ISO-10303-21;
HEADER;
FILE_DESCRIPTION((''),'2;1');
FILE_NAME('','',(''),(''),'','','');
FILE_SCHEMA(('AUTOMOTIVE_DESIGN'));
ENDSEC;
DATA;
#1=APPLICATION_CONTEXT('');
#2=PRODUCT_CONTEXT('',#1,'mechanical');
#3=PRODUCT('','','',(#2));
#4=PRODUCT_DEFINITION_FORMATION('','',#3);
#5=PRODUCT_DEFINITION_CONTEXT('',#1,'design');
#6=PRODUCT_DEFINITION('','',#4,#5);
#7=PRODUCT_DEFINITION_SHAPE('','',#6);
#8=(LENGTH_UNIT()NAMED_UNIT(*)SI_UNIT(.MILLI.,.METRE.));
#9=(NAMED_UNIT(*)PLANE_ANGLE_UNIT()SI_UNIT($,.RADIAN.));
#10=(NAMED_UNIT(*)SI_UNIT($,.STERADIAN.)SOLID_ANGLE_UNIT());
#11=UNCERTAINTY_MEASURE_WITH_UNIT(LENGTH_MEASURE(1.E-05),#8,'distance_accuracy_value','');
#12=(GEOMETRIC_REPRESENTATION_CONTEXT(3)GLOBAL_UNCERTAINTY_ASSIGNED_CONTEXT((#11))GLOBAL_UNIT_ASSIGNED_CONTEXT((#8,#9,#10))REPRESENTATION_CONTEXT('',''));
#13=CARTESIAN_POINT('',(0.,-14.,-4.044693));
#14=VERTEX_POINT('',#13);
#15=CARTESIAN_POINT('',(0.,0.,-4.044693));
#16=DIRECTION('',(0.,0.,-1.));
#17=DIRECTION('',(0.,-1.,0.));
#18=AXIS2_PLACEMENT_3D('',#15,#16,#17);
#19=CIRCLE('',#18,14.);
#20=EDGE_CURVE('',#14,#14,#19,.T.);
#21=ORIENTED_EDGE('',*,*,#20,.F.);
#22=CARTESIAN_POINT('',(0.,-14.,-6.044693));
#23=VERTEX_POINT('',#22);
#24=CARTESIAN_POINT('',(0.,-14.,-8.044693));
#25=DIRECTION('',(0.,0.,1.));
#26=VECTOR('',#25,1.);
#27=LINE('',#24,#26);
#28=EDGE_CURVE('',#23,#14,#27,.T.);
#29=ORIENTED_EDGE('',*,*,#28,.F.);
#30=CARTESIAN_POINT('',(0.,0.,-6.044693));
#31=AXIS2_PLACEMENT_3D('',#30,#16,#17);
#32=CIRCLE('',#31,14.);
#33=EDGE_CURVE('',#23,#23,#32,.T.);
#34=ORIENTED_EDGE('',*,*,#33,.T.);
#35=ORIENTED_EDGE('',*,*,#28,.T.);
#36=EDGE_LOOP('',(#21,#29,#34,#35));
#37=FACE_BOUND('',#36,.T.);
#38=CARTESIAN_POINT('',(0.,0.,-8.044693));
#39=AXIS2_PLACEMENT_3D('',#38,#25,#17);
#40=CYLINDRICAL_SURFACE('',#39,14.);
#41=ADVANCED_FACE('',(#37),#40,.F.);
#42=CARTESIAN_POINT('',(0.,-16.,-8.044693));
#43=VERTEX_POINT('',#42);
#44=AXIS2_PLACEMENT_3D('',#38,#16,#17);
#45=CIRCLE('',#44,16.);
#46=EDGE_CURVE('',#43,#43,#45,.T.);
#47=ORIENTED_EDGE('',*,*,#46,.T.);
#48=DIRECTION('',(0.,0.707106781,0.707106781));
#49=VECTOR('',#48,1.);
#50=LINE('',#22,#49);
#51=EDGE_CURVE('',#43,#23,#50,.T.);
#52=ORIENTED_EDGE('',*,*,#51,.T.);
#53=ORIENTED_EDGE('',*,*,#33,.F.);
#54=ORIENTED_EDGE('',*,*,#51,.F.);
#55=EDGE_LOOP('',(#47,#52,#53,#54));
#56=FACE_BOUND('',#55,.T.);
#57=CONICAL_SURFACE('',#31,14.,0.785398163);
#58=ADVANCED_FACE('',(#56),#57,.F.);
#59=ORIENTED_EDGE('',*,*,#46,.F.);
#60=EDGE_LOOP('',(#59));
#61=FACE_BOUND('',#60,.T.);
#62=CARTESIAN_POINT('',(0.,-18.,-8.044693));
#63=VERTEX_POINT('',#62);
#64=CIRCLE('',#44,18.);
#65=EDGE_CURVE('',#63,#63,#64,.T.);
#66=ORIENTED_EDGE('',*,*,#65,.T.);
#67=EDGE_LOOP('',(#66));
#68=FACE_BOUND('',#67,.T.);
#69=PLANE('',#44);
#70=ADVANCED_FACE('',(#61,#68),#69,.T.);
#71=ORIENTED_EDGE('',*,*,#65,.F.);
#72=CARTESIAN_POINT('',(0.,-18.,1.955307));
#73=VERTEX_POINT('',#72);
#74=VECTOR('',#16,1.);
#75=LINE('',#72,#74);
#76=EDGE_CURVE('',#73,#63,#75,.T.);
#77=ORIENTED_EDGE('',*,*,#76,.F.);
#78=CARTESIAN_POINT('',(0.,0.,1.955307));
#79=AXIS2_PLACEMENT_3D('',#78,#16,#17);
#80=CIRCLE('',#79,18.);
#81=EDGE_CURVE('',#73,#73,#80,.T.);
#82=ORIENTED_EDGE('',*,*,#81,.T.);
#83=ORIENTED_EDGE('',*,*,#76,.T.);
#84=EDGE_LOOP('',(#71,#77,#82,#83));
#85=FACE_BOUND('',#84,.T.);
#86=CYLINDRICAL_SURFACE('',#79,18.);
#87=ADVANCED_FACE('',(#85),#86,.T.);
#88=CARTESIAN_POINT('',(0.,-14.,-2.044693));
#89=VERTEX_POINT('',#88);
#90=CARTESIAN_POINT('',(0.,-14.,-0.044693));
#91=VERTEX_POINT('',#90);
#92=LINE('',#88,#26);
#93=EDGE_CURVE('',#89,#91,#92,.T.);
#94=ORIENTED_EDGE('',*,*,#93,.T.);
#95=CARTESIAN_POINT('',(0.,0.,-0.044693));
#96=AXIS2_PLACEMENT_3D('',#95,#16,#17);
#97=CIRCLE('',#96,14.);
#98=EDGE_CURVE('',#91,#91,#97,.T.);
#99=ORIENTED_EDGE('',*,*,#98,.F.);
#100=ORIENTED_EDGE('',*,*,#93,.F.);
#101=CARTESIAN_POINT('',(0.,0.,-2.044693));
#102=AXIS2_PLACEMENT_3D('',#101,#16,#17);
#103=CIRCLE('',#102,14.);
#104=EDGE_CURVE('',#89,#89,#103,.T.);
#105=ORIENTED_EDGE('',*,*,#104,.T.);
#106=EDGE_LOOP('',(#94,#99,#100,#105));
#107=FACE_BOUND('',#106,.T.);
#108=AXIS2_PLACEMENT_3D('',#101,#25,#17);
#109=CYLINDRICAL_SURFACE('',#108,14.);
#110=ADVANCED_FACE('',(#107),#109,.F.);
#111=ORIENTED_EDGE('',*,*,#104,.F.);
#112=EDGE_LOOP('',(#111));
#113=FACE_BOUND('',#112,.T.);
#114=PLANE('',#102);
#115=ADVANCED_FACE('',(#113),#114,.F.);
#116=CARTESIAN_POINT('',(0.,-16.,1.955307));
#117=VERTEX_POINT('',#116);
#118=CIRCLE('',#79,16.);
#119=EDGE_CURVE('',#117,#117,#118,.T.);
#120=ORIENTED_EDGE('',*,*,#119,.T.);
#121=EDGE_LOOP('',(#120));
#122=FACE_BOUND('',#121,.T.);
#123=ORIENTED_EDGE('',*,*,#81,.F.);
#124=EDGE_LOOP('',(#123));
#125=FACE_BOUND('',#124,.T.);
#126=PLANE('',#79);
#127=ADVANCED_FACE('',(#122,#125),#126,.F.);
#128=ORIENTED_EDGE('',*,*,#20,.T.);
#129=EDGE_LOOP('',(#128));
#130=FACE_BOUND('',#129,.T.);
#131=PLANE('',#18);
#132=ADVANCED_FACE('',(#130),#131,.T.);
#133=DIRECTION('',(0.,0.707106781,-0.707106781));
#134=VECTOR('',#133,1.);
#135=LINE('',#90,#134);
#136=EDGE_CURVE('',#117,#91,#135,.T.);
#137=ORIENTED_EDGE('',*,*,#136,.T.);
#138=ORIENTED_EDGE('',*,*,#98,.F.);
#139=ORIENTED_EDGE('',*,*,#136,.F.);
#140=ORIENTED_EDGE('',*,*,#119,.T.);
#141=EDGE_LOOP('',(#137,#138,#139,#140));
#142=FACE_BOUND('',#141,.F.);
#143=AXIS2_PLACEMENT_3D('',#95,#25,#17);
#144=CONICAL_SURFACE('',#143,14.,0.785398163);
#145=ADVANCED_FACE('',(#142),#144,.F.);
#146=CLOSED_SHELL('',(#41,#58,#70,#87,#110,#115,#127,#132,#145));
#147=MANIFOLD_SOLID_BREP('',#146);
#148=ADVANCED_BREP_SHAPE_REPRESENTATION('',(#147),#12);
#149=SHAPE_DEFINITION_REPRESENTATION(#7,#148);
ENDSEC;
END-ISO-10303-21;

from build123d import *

# Parameters (mm, degrees)
F2_SIZE = 2


with BuildPart() as f1:
    # F0 (on Right) → F1 (revolve)
    with BuildSketch(Plane.YZ):
        Polygon((-14, 1.955307), (-18, 1.955307), (-18, -8.044693), (-14, -8.044693), (-14, -4.044693), (0, -4.044693), (0, -2.044693), (-14, -2.044693), align=None)
    revolve(axis=Axis((0, 0, -1.638931), (0, 0, -1)))

    # F2
    f2_edges = [f1.edges().sort_by_distance(p)[0] for p in [
        (0, 14, 1.955307),
        (0, 14, -8.044693),
    ]]
    chamfer(f2_edges, length=F2_SIZE)


solid = f1.part
